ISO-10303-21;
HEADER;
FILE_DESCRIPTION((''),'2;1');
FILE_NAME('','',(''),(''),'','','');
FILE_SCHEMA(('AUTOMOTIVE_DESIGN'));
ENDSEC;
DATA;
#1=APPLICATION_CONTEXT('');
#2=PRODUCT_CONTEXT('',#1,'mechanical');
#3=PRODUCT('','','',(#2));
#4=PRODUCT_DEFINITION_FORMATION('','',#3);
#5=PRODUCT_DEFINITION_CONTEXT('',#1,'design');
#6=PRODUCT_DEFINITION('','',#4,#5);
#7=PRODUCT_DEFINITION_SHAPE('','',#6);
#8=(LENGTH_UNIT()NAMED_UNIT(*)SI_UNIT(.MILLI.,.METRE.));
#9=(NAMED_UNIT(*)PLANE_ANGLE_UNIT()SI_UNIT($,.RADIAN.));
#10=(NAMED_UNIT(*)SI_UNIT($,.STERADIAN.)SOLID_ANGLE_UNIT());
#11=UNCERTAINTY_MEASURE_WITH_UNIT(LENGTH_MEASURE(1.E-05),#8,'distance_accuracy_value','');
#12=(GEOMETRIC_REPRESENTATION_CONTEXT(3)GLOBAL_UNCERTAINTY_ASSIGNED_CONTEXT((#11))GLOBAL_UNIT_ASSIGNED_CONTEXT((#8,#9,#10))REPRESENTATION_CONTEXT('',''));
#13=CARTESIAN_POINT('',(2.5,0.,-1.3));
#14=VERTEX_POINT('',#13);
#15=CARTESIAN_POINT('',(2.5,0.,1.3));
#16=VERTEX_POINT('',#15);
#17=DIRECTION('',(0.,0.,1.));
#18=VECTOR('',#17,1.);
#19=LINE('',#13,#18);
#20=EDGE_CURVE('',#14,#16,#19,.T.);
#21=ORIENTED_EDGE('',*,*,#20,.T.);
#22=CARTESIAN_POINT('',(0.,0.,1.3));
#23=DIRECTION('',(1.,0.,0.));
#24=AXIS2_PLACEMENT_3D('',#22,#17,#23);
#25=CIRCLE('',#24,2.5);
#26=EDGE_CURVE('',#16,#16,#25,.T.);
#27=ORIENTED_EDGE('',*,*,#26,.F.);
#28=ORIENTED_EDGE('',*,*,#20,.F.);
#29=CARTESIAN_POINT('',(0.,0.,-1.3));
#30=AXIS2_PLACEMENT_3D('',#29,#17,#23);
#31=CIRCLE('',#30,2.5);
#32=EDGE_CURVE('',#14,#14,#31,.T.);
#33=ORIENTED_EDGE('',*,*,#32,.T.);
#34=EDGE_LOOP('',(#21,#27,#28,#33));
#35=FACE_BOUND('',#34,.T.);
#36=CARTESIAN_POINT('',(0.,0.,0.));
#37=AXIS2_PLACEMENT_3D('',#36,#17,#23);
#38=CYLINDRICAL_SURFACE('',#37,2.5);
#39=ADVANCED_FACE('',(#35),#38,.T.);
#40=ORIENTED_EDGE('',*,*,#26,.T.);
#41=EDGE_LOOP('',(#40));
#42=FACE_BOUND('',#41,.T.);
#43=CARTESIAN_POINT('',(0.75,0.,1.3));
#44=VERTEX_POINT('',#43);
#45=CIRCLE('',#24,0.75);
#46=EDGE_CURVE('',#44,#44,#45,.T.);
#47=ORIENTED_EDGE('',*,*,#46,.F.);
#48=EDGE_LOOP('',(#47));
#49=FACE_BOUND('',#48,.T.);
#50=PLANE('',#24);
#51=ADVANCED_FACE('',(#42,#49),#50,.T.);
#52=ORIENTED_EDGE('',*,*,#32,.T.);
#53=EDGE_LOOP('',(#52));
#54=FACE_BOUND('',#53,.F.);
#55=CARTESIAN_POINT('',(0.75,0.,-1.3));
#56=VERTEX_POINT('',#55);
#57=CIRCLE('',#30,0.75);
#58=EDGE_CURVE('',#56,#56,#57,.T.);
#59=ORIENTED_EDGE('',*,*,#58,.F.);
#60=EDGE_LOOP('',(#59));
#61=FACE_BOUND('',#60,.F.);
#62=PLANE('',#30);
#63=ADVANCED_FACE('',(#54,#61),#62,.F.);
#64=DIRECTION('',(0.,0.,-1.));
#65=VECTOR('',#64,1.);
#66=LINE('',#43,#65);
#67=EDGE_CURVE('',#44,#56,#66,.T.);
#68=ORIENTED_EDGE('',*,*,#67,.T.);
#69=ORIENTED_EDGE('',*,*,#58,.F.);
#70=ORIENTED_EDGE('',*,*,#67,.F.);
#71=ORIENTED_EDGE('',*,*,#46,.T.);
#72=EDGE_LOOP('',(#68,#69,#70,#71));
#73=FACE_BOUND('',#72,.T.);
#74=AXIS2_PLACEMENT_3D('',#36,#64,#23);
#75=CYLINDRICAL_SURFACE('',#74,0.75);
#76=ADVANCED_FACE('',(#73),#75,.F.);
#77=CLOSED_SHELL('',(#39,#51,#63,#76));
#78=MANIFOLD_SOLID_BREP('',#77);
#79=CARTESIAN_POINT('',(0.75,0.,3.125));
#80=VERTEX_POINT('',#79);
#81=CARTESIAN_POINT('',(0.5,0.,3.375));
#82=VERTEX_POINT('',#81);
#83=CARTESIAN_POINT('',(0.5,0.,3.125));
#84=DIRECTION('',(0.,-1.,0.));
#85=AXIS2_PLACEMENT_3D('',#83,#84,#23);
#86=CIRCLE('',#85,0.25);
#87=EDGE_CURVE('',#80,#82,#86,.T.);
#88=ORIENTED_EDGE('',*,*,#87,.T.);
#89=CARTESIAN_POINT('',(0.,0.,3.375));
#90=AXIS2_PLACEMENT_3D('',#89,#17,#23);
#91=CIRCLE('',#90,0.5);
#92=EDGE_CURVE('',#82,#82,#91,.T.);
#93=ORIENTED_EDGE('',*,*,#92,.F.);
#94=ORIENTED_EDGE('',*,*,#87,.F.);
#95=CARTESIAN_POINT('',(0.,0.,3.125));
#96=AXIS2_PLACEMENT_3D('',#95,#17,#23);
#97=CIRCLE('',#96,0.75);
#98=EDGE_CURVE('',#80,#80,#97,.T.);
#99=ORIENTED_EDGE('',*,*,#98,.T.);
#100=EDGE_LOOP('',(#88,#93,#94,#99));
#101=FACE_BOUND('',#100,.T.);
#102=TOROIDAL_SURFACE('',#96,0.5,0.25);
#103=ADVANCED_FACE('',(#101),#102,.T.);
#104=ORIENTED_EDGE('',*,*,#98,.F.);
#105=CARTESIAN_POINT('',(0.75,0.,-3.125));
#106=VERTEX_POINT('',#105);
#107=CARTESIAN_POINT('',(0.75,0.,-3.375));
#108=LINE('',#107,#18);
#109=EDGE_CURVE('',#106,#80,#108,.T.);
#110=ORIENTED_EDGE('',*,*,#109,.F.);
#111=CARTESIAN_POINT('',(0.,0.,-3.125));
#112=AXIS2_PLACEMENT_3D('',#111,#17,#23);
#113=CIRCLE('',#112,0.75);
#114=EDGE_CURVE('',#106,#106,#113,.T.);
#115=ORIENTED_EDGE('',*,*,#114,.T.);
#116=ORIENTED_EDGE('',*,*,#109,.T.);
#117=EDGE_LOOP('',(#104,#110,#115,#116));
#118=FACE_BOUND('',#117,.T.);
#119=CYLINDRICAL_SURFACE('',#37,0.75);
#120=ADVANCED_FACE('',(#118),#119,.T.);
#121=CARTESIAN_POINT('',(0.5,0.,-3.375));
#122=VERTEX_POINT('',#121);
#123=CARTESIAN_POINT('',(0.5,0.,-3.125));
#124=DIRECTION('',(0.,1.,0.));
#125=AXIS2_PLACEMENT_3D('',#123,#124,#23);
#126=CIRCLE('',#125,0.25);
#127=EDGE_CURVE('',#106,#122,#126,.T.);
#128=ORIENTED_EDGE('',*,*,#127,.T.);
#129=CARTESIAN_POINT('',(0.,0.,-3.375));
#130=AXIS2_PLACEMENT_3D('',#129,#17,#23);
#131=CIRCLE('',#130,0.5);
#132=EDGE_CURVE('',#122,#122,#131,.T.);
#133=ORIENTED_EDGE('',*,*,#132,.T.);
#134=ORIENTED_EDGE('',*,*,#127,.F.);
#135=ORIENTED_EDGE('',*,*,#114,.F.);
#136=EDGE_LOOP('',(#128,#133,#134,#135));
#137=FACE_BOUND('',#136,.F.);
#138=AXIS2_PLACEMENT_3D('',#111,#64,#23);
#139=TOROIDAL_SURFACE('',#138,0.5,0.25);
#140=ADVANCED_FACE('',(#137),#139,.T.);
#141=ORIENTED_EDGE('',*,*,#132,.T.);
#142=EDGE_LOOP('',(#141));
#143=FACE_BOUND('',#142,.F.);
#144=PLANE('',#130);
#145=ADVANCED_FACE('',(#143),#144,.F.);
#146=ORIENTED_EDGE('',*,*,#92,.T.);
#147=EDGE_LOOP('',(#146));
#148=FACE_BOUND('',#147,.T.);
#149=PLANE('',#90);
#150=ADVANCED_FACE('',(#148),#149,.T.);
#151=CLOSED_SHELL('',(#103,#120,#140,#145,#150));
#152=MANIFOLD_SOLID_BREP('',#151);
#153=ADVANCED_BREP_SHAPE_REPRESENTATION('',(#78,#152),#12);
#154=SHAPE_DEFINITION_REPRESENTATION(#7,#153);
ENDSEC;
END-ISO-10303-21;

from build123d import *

# Parameters (mm, degrees)
F0_R     = 2.5
F0_R_2   = 0.75
F1_DEPTH = 1.3
F2_R     = 0.75
F3_DEPTH = 3.375
F4_R     = 0.25


with BuildPart() as f1:
    # F0 (on Top) → F1 (new body, symmetric)
    with BuildSketch(Plane.XY):
        Circle(F0_R)
        Circle(F0_R_2, mode=Mode.SUBTRACT)
    extrude(amount=F1_DEPTH, both=True)


with BuildPart() as f3:
    # F2 (on Top) → F3 (new body, symmetric)
    with BuildSketch(Plane.XY):
        Circle(F2_R)
    extrude(amount=F3_DEPTH, both=True)

    # F4
    f4_edges = [f3.edges().sort_by_distance(p)[0] for p in [
        (-0.75, 0, -3.375),
        (-0.75, 0, 3.375),
    ]]
    fillet(f4_edges, radius=F4_R)


solid = Compound([f1.part, f3.part])
